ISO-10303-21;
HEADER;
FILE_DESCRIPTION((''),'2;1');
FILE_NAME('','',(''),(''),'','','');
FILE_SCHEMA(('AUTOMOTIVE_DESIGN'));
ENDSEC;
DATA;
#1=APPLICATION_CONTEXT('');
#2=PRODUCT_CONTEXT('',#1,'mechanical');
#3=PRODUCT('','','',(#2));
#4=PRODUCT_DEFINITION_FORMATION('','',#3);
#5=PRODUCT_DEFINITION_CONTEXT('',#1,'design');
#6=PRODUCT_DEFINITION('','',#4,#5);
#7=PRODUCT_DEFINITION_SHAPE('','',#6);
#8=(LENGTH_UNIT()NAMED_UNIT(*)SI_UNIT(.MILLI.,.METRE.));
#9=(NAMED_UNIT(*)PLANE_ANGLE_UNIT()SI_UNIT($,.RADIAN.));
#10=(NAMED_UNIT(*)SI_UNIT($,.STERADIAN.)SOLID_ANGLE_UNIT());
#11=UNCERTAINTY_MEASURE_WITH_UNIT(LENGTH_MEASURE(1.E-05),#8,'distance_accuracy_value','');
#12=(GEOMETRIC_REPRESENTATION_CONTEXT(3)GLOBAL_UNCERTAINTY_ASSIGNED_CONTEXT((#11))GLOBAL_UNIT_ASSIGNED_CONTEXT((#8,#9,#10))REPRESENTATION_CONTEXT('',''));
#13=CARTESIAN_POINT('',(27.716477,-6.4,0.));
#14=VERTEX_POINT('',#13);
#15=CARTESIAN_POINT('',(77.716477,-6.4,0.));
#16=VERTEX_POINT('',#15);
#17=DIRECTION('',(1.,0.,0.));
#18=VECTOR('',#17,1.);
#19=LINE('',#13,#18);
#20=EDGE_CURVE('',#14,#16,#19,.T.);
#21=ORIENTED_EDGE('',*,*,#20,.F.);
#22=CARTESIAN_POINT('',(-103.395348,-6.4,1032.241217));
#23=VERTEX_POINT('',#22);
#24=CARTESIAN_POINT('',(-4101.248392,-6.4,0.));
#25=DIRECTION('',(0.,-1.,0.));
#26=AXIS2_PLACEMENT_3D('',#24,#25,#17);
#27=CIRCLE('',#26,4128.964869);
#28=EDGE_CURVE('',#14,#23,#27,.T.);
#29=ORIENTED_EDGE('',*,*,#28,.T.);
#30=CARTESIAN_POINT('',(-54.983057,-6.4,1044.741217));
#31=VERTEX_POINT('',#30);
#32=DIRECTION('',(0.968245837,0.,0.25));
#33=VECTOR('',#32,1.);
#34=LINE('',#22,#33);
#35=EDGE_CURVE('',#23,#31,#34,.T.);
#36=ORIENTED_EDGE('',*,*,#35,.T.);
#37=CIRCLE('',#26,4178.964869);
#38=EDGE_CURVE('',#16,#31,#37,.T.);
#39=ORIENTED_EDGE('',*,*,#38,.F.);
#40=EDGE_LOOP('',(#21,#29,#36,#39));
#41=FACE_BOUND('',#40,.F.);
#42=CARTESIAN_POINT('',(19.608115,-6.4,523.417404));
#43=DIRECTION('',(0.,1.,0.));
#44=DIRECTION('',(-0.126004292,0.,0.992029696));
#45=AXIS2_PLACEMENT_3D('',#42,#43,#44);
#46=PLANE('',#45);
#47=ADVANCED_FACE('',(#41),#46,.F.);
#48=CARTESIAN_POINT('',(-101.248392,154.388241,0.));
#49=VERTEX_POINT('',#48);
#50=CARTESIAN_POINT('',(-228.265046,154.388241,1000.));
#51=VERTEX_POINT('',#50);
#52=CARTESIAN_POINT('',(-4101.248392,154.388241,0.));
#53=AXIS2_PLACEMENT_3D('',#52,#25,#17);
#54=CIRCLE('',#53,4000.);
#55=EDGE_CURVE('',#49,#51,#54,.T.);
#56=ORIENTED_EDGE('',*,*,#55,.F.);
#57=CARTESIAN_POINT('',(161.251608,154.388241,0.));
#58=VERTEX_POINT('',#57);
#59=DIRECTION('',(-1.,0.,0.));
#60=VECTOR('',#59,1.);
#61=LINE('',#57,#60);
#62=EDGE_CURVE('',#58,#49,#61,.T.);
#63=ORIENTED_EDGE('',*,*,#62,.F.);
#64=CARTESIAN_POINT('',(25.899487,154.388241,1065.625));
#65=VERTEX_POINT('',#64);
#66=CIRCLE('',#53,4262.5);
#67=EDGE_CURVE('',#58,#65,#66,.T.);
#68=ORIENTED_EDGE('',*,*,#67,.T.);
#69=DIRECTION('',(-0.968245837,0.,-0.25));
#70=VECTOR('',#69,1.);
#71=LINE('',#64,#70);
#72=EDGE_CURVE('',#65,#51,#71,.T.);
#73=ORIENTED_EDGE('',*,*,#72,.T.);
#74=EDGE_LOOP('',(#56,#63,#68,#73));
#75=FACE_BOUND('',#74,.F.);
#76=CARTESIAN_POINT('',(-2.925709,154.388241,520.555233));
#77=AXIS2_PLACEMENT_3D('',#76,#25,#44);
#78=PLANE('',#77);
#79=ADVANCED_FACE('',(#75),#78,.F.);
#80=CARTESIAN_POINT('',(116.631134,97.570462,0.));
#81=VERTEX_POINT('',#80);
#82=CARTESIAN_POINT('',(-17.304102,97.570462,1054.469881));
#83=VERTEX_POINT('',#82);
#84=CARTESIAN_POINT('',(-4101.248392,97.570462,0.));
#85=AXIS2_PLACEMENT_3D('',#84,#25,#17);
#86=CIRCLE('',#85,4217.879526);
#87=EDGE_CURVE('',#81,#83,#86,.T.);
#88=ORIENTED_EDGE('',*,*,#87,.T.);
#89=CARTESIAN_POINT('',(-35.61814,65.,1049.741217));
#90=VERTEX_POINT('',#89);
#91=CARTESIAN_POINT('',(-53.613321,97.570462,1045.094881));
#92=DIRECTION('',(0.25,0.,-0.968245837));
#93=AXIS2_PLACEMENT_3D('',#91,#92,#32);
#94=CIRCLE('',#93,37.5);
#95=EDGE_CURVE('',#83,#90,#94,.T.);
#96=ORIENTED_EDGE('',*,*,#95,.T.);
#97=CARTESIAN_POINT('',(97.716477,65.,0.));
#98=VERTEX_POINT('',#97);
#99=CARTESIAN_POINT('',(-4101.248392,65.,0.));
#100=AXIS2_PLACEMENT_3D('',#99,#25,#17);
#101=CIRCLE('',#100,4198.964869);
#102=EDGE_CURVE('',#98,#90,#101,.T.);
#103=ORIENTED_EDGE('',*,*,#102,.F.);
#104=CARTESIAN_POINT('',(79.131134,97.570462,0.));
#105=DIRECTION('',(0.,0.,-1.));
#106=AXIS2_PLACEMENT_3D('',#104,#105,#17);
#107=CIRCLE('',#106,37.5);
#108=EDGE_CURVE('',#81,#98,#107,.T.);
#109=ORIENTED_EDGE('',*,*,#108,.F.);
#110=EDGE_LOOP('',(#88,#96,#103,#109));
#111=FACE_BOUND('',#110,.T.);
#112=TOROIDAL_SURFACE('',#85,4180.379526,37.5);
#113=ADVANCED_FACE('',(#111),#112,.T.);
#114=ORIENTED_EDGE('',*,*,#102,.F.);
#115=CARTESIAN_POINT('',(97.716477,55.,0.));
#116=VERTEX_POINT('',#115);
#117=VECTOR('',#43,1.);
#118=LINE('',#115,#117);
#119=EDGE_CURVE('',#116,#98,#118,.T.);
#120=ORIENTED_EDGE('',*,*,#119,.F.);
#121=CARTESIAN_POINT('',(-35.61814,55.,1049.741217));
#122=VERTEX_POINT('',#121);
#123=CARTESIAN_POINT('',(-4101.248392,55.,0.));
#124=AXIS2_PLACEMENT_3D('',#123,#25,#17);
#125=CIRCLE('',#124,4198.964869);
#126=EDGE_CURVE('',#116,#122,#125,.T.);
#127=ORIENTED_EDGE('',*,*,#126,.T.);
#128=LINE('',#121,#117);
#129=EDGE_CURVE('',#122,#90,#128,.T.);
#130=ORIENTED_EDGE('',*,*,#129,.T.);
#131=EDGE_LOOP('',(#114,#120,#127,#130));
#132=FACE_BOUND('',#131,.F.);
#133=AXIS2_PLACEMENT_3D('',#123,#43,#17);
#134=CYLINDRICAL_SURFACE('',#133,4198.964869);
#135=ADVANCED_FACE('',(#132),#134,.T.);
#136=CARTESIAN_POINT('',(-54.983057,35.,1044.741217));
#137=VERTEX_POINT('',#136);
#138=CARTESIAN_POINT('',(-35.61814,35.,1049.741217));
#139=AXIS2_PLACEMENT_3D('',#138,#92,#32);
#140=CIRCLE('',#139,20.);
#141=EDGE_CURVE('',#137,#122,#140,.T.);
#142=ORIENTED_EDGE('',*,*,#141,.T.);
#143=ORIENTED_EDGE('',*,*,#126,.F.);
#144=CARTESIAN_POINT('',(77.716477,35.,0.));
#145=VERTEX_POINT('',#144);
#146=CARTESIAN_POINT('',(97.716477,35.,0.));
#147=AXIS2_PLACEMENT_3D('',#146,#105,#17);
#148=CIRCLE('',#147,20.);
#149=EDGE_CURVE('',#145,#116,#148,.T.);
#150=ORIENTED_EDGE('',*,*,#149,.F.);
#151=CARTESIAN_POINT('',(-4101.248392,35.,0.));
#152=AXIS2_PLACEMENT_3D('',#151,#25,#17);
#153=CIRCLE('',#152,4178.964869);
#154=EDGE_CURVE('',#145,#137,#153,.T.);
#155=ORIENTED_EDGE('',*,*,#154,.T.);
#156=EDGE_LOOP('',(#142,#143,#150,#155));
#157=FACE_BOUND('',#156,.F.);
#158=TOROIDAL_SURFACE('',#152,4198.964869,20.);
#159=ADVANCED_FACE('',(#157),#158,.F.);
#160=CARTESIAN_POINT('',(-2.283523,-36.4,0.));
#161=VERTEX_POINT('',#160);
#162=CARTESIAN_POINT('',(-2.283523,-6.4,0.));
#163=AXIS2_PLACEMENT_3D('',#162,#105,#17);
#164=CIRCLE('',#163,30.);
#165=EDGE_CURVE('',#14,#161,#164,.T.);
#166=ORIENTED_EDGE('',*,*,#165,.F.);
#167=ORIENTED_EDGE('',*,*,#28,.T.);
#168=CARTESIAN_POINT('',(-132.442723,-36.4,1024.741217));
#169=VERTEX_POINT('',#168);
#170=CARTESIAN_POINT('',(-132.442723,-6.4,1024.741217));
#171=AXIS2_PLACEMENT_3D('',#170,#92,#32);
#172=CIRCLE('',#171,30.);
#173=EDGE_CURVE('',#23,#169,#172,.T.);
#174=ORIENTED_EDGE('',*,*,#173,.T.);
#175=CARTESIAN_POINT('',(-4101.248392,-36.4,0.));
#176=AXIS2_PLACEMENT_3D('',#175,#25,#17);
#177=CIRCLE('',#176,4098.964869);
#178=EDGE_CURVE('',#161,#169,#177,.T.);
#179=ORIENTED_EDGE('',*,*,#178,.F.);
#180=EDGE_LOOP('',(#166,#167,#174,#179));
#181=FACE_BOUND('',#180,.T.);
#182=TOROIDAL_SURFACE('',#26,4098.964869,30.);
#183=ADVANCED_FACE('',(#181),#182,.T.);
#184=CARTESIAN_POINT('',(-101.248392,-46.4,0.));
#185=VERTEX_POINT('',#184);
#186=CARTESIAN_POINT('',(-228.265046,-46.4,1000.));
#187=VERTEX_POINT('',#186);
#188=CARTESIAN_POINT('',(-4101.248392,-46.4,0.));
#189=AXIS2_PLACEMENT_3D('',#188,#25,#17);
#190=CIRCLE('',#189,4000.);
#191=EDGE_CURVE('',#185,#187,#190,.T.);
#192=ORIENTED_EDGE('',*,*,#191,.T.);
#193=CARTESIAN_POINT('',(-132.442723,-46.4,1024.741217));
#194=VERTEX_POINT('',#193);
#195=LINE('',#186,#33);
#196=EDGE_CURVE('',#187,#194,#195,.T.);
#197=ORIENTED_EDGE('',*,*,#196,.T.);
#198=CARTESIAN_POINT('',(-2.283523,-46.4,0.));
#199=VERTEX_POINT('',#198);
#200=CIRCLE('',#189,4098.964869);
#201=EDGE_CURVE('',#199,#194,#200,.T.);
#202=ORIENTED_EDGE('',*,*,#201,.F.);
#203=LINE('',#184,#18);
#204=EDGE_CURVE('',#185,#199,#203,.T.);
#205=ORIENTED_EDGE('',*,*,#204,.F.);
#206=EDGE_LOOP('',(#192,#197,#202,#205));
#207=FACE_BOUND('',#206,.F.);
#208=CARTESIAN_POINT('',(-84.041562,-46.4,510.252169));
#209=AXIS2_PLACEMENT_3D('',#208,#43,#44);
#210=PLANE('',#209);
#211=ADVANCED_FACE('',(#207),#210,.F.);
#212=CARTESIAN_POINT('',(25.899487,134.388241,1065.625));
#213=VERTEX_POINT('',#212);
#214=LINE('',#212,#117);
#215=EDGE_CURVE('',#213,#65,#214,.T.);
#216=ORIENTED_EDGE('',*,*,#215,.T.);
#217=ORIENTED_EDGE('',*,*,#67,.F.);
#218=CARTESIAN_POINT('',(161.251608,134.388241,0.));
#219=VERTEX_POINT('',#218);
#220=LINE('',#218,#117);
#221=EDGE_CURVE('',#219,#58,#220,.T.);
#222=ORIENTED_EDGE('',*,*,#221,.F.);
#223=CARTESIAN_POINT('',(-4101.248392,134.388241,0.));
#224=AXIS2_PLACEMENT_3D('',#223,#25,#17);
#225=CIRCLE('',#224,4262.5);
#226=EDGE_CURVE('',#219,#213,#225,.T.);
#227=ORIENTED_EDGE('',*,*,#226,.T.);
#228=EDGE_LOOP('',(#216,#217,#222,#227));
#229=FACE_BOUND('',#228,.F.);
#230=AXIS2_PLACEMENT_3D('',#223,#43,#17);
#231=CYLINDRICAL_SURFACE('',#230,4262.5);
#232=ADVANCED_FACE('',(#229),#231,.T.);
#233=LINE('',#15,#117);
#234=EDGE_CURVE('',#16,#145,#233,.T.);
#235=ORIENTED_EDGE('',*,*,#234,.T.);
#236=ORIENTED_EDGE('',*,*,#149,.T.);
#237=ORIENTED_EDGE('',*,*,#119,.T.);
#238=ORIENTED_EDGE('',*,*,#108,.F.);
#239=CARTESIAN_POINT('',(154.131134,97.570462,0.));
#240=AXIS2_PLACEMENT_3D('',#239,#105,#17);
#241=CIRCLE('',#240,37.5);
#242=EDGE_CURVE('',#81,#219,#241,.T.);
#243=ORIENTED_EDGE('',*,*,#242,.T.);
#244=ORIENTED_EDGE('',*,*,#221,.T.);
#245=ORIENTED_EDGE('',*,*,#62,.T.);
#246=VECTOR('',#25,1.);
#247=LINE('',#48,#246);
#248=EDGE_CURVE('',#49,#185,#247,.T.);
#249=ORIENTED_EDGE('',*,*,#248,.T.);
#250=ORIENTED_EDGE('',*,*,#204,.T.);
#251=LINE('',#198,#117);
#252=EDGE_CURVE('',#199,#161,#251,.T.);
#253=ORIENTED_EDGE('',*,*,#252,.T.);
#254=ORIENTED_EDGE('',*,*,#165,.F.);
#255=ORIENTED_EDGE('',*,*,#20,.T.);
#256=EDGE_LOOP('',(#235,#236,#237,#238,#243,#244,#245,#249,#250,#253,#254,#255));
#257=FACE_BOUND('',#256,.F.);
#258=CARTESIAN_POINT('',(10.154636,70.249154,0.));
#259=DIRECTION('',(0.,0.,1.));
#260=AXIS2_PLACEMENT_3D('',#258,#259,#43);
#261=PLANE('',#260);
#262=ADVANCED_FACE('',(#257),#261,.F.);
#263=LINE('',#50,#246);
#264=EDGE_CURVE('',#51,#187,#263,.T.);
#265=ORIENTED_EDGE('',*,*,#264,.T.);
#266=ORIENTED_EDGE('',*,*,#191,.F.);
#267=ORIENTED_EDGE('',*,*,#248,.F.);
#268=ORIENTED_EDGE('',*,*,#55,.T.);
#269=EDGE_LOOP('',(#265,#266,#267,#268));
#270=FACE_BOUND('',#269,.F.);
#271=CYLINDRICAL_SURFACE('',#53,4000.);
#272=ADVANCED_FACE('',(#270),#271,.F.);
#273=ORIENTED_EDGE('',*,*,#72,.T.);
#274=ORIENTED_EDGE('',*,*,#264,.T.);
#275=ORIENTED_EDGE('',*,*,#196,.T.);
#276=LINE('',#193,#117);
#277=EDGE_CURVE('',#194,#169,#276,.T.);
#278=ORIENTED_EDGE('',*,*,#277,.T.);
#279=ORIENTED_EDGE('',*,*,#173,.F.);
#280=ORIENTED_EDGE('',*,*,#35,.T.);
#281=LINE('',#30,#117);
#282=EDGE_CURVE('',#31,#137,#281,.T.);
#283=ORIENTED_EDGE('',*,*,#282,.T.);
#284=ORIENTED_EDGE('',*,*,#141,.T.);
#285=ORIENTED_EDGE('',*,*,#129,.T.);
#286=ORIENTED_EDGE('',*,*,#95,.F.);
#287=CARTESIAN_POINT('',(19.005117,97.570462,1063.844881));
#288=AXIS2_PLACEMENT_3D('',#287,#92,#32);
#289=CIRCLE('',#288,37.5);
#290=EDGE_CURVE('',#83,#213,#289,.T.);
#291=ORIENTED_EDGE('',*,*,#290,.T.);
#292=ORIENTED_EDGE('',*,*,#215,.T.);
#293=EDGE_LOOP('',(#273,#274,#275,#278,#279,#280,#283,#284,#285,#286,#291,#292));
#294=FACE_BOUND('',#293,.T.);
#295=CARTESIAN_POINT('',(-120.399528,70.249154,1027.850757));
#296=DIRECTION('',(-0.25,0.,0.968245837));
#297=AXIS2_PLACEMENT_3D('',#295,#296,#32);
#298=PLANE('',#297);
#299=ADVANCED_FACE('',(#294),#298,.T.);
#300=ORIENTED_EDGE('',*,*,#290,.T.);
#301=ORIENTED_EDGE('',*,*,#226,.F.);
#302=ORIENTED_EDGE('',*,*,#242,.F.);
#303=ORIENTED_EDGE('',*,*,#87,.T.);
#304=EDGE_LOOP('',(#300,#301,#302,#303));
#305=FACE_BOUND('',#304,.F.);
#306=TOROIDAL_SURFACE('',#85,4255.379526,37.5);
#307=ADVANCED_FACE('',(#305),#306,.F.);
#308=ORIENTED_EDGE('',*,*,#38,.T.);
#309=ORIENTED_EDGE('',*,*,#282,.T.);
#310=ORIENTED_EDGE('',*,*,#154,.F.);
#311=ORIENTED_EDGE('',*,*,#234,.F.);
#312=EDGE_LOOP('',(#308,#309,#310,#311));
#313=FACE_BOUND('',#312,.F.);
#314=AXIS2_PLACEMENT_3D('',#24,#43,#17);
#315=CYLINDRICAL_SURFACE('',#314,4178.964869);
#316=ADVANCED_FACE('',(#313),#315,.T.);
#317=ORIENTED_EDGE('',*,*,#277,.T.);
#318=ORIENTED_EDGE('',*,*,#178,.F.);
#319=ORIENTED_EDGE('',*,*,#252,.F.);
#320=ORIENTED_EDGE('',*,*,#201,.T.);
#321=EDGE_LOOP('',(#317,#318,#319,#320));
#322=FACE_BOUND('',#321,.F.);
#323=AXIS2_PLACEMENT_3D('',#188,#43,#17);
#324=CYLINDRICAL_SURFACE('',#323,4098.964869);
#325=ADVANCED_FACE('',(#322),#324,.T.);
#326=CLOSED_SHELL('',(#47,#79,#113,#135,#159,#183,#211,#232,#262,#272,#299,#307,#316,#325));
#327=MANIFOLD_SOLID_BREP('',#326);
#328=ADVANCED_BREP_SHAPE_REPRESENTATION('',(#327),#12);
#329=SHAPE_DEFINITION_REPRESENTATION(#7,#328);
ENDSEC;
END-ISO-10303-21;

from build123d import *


with BuildPart() as f3:
    # F3: sweep along a path in F2
    with BuildLine(Plane.XZ.offset(46.4)) as f3_path:
        ThreePointArc((-101.248391782, 0), (-133.1296067133, 504.0171699309), (-228.2650455746, 1000))
    # F0 (on Top) → F3 (sweep)
    with BuildSketch(Plane.XY):
        with BuildLine():
            Line((161.251608218, 154.3882413845), (-101.248391782, 154.3882413845))
            Line((-101.248391782, 154.3882413845), (-101.248391782, -46.4))
            Line((-101.248391782, -46.4), (-2.2835230583, -46.4))
            Line((-2.2835230583, -46.4), (-2.2835230583, -36.4))
            ThreePointArc((-2.2835230583, -36.4), (18.9296803773, -27.6132034356), (27.7164769417, -6.4))
            Line((27.7164769417, -6.4), (77.7164769417, -6.4))
            Line((77.7164769417, -6.4), (77.7164769417, 35))
            ThreePointArc((77.7164769417, 35), (83.574341318, 49.1421356237), (97.7164769417, 55))
            Line((97.7164769417, 55), (97.7164769417, 65))
            ThreePointArc((97.7164769417, 65), (111.5595193417, 78.7383139253), (116.631133907, 97.5704624512))
            ThreePointArc((116.631133907, 97.5704624512), (130.2645022496, 126.4950867933), (161.251608218, 134.3882413845))
            Line((161.251608218, 134.3882413845), (161.251608218, 154.3882413845))
        make_face()
    sweep(path=f3_path.line)


solid = f3.part
